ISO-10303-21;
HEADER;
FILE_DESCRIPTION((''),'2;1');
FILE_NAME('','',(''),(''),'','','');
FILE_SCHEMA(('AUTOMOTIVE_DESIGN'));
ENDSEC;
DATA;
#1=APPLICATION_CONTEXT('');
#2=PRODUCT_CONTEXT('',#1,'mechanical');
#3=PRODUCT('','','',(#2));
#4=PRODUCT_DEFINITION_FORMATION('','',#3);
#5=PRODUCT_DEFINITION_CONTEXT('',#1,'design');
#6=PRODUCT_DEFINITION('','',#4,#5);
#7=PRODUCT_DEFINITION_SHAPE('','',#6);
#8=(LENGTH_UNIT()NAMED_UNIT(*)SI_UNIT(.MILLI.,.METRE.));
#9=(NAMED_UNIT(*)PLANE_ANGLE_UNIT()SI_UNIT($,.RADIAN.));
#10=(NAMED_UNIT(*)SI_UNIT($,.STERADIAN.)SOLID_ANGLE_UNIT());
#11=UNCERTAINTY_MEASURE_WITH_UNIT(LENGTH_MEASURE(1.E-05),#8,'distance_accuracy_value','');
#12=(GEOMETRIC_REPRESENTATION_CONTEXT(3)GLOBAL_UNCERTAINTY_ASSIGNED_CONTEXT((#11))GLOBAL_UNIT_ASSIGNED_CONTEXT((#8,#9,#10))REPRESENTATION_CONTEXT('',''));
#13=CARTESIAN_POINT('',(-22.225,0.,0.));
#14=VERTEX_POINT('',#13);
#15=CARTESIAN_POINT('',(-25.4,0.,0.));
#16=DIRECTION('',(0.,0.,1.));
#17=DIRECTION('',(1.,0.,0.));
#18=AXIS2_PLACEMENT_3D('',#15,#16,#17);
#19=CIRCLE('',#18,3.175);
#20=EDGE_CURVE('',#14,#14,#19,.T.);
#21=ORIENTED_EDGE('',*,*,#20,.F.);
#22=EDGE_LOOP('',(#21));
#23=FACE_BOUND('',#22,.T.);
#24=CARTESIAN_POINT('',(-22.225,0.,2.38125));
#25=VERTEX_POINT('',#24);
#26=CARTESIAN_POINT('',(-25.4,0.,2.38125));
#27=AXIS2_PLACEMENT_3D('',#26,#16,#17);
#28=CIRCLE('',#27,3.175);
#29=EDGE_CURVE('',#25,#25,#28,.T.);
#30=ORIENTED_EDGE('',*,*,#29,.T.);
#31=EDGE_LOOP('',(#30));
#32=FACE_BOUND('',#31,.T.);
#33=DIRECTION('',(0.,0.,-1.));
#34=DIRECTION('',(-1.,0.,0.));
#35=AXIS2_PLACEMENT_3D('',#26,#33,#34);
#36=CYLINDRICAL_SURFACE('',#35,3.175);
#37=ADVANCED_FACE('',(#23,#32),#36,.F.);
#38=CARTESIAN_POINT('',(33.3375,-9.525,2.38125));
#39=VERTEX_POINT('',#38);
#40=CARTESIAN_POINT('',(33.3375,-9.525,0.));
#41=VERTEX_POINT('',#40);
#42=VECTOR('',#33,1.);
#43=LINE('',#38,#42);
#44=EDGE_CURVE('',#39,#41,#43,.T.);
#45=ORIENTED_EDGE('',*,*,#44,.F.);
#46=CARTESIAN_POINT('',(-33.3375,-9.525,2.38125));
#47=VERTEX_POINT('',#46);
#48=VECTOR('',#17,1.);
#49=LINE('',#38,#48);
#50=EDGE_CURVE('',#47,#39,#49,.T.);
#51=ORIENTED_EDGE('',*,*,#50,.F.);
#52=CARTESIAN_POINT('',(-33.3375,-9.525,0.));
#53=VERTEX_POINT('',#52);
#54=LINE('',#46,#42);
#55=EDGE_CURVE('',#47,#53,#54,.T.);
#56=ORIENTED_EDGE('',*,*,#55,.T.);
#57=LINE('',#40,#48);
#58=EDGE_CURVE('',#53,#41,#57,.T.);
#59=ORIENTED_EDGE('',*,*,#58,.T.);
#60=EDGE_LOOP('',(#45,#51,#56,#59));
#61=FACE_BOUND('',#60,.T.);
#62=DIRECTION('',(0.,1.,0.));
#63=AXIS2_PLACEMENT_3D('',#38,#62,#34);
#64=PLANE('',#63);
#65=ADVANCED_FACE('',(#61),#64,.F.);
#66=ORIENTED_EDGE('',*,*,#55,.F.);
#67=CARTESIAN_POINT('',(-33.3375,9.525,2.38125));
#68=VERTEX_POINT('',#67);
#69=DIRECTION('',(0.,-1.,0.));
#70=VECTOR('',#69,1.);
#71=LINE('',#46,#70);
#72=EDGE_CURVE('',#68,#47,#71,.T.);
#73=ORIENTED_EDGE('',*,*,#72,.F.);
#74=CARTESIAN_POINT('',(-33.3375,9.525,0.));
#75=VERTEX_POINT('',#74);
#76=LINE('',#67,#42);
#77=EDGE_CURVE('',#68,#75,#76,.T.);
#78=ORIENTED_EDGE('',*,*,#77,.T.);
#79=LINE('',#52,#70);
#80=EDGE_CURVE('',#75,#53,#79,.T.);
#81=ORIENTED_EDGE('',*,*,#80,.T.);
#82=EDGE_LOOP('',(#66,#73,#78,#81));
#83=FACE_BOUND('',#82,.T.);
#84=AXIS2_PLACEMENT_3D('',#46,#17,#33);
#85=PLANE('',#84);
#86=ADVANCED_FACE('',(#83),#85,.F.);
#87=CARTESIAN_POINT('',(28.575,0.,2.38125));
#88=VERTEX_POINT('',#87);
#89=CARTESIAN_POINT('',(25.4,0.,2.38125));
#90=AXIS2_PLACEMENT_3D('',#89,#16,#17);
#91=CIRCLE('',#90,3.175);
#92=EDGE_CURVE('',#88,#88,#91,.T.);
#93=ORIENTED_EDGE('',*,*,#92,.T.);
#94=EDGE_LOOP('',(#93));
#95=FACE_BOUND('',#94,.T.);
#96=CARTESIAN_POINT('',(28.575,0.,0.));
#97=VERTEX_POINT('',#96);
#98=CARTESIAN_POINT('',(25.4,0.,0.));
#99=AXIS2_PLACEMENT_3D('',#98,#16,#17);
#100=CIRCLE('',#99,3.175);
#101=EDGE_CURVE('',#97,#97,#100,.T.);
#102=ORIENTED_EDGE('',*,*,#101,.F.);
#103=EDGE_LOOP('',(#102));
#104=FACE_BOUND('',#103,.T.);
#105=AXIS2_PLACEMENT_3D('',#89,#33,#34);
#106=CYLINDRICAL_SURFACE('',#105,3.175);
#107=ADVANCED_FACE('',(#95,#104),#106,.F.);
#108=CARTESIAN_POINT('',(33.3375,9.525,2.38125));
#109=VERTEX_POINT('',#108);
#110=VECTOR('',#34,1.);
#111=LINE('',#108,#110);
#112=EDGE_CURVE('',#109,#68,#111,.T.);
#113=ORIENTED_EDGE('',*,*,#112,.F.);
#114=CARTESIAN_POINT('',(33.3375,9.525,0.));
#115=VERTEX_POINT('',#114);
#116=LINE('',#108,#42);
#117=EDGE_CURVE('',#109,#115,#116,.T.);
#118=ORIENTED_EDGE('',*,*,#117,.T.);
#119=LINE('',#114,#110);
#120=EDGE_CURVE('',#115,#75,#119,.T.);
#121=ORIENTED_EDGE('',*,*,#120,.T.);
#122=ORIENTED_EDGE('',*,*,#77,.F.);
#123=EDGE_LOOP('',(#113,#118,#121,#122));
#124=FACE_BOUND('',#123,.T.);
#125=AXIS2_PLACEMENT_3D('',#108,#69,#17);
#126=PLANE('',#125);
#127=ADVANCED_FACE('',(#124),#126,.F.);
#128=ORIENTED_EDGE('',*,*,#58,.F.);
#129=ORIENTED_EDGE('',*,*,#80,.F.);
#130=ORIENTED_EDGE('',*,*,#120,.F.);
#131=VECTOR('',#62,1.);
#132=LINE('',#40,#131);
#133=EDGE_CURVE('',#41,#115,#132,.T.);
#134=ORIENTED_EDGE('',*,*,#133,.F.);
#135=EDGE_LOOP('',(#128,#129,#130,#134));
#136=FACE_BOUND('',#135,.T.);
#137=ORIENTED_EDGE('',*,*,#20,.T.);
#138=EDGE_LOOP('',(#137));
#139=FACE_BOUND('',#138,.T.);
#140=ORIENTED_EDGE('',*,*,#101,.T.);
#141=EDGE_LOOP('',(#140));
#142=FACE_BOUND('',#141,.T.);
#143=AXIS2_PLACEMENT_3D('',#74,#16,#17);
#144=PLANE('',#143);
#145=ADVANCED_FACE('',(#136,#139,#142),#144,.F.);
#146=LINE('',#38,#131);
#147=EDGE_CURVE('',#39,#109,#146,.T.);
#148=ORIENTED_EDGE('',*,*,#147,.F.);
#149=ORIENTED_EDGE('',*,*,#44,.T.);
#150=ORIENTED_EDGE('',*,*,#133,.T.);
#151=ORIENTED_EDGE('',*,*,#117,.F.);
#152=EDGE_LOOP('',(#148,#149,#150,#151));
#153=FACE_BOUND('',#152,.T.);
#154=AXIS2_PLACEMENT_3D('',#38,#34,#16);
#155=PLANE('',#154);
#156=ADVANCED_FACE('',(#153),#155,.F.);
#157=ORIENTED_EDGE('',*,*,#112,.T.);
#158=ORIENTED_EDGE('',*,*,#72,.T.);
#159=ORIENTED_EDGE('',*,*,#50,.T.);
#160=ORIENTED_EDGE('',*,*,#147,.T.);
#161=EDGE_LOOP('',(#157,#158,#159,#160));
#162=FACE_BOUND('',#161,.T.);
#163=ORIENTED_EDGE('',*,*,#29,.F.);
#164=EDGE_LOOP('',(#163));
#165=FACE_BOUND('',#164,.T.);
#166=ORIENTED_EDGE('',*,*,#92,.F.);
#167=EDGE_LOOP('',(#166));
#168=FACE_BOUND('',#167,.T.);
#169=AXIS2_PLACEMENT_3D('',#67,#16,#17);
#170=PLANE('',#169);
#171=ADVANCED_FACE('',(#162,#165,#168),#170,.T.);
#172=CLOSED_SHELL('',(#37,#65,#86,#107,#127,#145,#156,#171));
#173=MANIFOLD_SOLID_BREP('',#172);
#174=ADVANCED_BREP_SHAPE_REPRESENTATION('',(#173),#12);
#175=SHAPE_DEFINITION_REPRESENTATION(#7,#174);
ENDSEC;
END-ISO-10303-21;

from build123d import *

# Parameters (mm, degrees)
SKETCH1_W           = 66.675
SKETCH1_H           = 19.05
SKETCH1_R           = 3.175
BOSS_EXTRUDE1_DEPTH = 2.38125


with BuildPart() as part:
    # Sketch1 → Boss-Extrude1 (new body)
    with BuildSketch(Plane.XY):
        Rectangle(SKETCH1_W, SKETCH1_H)
        with Locations((-25.4, 0)):
            Circle(SKETCH1_R, mode=Mode.SUBTRACT)
        with Locations((25.4, 0)):
            Circle(SKETCH1_R, mode=Mode.SUBTRACT)
    extrude(amount=BOSS_EXTRUDE1_DEPTH)


solid = part.part
